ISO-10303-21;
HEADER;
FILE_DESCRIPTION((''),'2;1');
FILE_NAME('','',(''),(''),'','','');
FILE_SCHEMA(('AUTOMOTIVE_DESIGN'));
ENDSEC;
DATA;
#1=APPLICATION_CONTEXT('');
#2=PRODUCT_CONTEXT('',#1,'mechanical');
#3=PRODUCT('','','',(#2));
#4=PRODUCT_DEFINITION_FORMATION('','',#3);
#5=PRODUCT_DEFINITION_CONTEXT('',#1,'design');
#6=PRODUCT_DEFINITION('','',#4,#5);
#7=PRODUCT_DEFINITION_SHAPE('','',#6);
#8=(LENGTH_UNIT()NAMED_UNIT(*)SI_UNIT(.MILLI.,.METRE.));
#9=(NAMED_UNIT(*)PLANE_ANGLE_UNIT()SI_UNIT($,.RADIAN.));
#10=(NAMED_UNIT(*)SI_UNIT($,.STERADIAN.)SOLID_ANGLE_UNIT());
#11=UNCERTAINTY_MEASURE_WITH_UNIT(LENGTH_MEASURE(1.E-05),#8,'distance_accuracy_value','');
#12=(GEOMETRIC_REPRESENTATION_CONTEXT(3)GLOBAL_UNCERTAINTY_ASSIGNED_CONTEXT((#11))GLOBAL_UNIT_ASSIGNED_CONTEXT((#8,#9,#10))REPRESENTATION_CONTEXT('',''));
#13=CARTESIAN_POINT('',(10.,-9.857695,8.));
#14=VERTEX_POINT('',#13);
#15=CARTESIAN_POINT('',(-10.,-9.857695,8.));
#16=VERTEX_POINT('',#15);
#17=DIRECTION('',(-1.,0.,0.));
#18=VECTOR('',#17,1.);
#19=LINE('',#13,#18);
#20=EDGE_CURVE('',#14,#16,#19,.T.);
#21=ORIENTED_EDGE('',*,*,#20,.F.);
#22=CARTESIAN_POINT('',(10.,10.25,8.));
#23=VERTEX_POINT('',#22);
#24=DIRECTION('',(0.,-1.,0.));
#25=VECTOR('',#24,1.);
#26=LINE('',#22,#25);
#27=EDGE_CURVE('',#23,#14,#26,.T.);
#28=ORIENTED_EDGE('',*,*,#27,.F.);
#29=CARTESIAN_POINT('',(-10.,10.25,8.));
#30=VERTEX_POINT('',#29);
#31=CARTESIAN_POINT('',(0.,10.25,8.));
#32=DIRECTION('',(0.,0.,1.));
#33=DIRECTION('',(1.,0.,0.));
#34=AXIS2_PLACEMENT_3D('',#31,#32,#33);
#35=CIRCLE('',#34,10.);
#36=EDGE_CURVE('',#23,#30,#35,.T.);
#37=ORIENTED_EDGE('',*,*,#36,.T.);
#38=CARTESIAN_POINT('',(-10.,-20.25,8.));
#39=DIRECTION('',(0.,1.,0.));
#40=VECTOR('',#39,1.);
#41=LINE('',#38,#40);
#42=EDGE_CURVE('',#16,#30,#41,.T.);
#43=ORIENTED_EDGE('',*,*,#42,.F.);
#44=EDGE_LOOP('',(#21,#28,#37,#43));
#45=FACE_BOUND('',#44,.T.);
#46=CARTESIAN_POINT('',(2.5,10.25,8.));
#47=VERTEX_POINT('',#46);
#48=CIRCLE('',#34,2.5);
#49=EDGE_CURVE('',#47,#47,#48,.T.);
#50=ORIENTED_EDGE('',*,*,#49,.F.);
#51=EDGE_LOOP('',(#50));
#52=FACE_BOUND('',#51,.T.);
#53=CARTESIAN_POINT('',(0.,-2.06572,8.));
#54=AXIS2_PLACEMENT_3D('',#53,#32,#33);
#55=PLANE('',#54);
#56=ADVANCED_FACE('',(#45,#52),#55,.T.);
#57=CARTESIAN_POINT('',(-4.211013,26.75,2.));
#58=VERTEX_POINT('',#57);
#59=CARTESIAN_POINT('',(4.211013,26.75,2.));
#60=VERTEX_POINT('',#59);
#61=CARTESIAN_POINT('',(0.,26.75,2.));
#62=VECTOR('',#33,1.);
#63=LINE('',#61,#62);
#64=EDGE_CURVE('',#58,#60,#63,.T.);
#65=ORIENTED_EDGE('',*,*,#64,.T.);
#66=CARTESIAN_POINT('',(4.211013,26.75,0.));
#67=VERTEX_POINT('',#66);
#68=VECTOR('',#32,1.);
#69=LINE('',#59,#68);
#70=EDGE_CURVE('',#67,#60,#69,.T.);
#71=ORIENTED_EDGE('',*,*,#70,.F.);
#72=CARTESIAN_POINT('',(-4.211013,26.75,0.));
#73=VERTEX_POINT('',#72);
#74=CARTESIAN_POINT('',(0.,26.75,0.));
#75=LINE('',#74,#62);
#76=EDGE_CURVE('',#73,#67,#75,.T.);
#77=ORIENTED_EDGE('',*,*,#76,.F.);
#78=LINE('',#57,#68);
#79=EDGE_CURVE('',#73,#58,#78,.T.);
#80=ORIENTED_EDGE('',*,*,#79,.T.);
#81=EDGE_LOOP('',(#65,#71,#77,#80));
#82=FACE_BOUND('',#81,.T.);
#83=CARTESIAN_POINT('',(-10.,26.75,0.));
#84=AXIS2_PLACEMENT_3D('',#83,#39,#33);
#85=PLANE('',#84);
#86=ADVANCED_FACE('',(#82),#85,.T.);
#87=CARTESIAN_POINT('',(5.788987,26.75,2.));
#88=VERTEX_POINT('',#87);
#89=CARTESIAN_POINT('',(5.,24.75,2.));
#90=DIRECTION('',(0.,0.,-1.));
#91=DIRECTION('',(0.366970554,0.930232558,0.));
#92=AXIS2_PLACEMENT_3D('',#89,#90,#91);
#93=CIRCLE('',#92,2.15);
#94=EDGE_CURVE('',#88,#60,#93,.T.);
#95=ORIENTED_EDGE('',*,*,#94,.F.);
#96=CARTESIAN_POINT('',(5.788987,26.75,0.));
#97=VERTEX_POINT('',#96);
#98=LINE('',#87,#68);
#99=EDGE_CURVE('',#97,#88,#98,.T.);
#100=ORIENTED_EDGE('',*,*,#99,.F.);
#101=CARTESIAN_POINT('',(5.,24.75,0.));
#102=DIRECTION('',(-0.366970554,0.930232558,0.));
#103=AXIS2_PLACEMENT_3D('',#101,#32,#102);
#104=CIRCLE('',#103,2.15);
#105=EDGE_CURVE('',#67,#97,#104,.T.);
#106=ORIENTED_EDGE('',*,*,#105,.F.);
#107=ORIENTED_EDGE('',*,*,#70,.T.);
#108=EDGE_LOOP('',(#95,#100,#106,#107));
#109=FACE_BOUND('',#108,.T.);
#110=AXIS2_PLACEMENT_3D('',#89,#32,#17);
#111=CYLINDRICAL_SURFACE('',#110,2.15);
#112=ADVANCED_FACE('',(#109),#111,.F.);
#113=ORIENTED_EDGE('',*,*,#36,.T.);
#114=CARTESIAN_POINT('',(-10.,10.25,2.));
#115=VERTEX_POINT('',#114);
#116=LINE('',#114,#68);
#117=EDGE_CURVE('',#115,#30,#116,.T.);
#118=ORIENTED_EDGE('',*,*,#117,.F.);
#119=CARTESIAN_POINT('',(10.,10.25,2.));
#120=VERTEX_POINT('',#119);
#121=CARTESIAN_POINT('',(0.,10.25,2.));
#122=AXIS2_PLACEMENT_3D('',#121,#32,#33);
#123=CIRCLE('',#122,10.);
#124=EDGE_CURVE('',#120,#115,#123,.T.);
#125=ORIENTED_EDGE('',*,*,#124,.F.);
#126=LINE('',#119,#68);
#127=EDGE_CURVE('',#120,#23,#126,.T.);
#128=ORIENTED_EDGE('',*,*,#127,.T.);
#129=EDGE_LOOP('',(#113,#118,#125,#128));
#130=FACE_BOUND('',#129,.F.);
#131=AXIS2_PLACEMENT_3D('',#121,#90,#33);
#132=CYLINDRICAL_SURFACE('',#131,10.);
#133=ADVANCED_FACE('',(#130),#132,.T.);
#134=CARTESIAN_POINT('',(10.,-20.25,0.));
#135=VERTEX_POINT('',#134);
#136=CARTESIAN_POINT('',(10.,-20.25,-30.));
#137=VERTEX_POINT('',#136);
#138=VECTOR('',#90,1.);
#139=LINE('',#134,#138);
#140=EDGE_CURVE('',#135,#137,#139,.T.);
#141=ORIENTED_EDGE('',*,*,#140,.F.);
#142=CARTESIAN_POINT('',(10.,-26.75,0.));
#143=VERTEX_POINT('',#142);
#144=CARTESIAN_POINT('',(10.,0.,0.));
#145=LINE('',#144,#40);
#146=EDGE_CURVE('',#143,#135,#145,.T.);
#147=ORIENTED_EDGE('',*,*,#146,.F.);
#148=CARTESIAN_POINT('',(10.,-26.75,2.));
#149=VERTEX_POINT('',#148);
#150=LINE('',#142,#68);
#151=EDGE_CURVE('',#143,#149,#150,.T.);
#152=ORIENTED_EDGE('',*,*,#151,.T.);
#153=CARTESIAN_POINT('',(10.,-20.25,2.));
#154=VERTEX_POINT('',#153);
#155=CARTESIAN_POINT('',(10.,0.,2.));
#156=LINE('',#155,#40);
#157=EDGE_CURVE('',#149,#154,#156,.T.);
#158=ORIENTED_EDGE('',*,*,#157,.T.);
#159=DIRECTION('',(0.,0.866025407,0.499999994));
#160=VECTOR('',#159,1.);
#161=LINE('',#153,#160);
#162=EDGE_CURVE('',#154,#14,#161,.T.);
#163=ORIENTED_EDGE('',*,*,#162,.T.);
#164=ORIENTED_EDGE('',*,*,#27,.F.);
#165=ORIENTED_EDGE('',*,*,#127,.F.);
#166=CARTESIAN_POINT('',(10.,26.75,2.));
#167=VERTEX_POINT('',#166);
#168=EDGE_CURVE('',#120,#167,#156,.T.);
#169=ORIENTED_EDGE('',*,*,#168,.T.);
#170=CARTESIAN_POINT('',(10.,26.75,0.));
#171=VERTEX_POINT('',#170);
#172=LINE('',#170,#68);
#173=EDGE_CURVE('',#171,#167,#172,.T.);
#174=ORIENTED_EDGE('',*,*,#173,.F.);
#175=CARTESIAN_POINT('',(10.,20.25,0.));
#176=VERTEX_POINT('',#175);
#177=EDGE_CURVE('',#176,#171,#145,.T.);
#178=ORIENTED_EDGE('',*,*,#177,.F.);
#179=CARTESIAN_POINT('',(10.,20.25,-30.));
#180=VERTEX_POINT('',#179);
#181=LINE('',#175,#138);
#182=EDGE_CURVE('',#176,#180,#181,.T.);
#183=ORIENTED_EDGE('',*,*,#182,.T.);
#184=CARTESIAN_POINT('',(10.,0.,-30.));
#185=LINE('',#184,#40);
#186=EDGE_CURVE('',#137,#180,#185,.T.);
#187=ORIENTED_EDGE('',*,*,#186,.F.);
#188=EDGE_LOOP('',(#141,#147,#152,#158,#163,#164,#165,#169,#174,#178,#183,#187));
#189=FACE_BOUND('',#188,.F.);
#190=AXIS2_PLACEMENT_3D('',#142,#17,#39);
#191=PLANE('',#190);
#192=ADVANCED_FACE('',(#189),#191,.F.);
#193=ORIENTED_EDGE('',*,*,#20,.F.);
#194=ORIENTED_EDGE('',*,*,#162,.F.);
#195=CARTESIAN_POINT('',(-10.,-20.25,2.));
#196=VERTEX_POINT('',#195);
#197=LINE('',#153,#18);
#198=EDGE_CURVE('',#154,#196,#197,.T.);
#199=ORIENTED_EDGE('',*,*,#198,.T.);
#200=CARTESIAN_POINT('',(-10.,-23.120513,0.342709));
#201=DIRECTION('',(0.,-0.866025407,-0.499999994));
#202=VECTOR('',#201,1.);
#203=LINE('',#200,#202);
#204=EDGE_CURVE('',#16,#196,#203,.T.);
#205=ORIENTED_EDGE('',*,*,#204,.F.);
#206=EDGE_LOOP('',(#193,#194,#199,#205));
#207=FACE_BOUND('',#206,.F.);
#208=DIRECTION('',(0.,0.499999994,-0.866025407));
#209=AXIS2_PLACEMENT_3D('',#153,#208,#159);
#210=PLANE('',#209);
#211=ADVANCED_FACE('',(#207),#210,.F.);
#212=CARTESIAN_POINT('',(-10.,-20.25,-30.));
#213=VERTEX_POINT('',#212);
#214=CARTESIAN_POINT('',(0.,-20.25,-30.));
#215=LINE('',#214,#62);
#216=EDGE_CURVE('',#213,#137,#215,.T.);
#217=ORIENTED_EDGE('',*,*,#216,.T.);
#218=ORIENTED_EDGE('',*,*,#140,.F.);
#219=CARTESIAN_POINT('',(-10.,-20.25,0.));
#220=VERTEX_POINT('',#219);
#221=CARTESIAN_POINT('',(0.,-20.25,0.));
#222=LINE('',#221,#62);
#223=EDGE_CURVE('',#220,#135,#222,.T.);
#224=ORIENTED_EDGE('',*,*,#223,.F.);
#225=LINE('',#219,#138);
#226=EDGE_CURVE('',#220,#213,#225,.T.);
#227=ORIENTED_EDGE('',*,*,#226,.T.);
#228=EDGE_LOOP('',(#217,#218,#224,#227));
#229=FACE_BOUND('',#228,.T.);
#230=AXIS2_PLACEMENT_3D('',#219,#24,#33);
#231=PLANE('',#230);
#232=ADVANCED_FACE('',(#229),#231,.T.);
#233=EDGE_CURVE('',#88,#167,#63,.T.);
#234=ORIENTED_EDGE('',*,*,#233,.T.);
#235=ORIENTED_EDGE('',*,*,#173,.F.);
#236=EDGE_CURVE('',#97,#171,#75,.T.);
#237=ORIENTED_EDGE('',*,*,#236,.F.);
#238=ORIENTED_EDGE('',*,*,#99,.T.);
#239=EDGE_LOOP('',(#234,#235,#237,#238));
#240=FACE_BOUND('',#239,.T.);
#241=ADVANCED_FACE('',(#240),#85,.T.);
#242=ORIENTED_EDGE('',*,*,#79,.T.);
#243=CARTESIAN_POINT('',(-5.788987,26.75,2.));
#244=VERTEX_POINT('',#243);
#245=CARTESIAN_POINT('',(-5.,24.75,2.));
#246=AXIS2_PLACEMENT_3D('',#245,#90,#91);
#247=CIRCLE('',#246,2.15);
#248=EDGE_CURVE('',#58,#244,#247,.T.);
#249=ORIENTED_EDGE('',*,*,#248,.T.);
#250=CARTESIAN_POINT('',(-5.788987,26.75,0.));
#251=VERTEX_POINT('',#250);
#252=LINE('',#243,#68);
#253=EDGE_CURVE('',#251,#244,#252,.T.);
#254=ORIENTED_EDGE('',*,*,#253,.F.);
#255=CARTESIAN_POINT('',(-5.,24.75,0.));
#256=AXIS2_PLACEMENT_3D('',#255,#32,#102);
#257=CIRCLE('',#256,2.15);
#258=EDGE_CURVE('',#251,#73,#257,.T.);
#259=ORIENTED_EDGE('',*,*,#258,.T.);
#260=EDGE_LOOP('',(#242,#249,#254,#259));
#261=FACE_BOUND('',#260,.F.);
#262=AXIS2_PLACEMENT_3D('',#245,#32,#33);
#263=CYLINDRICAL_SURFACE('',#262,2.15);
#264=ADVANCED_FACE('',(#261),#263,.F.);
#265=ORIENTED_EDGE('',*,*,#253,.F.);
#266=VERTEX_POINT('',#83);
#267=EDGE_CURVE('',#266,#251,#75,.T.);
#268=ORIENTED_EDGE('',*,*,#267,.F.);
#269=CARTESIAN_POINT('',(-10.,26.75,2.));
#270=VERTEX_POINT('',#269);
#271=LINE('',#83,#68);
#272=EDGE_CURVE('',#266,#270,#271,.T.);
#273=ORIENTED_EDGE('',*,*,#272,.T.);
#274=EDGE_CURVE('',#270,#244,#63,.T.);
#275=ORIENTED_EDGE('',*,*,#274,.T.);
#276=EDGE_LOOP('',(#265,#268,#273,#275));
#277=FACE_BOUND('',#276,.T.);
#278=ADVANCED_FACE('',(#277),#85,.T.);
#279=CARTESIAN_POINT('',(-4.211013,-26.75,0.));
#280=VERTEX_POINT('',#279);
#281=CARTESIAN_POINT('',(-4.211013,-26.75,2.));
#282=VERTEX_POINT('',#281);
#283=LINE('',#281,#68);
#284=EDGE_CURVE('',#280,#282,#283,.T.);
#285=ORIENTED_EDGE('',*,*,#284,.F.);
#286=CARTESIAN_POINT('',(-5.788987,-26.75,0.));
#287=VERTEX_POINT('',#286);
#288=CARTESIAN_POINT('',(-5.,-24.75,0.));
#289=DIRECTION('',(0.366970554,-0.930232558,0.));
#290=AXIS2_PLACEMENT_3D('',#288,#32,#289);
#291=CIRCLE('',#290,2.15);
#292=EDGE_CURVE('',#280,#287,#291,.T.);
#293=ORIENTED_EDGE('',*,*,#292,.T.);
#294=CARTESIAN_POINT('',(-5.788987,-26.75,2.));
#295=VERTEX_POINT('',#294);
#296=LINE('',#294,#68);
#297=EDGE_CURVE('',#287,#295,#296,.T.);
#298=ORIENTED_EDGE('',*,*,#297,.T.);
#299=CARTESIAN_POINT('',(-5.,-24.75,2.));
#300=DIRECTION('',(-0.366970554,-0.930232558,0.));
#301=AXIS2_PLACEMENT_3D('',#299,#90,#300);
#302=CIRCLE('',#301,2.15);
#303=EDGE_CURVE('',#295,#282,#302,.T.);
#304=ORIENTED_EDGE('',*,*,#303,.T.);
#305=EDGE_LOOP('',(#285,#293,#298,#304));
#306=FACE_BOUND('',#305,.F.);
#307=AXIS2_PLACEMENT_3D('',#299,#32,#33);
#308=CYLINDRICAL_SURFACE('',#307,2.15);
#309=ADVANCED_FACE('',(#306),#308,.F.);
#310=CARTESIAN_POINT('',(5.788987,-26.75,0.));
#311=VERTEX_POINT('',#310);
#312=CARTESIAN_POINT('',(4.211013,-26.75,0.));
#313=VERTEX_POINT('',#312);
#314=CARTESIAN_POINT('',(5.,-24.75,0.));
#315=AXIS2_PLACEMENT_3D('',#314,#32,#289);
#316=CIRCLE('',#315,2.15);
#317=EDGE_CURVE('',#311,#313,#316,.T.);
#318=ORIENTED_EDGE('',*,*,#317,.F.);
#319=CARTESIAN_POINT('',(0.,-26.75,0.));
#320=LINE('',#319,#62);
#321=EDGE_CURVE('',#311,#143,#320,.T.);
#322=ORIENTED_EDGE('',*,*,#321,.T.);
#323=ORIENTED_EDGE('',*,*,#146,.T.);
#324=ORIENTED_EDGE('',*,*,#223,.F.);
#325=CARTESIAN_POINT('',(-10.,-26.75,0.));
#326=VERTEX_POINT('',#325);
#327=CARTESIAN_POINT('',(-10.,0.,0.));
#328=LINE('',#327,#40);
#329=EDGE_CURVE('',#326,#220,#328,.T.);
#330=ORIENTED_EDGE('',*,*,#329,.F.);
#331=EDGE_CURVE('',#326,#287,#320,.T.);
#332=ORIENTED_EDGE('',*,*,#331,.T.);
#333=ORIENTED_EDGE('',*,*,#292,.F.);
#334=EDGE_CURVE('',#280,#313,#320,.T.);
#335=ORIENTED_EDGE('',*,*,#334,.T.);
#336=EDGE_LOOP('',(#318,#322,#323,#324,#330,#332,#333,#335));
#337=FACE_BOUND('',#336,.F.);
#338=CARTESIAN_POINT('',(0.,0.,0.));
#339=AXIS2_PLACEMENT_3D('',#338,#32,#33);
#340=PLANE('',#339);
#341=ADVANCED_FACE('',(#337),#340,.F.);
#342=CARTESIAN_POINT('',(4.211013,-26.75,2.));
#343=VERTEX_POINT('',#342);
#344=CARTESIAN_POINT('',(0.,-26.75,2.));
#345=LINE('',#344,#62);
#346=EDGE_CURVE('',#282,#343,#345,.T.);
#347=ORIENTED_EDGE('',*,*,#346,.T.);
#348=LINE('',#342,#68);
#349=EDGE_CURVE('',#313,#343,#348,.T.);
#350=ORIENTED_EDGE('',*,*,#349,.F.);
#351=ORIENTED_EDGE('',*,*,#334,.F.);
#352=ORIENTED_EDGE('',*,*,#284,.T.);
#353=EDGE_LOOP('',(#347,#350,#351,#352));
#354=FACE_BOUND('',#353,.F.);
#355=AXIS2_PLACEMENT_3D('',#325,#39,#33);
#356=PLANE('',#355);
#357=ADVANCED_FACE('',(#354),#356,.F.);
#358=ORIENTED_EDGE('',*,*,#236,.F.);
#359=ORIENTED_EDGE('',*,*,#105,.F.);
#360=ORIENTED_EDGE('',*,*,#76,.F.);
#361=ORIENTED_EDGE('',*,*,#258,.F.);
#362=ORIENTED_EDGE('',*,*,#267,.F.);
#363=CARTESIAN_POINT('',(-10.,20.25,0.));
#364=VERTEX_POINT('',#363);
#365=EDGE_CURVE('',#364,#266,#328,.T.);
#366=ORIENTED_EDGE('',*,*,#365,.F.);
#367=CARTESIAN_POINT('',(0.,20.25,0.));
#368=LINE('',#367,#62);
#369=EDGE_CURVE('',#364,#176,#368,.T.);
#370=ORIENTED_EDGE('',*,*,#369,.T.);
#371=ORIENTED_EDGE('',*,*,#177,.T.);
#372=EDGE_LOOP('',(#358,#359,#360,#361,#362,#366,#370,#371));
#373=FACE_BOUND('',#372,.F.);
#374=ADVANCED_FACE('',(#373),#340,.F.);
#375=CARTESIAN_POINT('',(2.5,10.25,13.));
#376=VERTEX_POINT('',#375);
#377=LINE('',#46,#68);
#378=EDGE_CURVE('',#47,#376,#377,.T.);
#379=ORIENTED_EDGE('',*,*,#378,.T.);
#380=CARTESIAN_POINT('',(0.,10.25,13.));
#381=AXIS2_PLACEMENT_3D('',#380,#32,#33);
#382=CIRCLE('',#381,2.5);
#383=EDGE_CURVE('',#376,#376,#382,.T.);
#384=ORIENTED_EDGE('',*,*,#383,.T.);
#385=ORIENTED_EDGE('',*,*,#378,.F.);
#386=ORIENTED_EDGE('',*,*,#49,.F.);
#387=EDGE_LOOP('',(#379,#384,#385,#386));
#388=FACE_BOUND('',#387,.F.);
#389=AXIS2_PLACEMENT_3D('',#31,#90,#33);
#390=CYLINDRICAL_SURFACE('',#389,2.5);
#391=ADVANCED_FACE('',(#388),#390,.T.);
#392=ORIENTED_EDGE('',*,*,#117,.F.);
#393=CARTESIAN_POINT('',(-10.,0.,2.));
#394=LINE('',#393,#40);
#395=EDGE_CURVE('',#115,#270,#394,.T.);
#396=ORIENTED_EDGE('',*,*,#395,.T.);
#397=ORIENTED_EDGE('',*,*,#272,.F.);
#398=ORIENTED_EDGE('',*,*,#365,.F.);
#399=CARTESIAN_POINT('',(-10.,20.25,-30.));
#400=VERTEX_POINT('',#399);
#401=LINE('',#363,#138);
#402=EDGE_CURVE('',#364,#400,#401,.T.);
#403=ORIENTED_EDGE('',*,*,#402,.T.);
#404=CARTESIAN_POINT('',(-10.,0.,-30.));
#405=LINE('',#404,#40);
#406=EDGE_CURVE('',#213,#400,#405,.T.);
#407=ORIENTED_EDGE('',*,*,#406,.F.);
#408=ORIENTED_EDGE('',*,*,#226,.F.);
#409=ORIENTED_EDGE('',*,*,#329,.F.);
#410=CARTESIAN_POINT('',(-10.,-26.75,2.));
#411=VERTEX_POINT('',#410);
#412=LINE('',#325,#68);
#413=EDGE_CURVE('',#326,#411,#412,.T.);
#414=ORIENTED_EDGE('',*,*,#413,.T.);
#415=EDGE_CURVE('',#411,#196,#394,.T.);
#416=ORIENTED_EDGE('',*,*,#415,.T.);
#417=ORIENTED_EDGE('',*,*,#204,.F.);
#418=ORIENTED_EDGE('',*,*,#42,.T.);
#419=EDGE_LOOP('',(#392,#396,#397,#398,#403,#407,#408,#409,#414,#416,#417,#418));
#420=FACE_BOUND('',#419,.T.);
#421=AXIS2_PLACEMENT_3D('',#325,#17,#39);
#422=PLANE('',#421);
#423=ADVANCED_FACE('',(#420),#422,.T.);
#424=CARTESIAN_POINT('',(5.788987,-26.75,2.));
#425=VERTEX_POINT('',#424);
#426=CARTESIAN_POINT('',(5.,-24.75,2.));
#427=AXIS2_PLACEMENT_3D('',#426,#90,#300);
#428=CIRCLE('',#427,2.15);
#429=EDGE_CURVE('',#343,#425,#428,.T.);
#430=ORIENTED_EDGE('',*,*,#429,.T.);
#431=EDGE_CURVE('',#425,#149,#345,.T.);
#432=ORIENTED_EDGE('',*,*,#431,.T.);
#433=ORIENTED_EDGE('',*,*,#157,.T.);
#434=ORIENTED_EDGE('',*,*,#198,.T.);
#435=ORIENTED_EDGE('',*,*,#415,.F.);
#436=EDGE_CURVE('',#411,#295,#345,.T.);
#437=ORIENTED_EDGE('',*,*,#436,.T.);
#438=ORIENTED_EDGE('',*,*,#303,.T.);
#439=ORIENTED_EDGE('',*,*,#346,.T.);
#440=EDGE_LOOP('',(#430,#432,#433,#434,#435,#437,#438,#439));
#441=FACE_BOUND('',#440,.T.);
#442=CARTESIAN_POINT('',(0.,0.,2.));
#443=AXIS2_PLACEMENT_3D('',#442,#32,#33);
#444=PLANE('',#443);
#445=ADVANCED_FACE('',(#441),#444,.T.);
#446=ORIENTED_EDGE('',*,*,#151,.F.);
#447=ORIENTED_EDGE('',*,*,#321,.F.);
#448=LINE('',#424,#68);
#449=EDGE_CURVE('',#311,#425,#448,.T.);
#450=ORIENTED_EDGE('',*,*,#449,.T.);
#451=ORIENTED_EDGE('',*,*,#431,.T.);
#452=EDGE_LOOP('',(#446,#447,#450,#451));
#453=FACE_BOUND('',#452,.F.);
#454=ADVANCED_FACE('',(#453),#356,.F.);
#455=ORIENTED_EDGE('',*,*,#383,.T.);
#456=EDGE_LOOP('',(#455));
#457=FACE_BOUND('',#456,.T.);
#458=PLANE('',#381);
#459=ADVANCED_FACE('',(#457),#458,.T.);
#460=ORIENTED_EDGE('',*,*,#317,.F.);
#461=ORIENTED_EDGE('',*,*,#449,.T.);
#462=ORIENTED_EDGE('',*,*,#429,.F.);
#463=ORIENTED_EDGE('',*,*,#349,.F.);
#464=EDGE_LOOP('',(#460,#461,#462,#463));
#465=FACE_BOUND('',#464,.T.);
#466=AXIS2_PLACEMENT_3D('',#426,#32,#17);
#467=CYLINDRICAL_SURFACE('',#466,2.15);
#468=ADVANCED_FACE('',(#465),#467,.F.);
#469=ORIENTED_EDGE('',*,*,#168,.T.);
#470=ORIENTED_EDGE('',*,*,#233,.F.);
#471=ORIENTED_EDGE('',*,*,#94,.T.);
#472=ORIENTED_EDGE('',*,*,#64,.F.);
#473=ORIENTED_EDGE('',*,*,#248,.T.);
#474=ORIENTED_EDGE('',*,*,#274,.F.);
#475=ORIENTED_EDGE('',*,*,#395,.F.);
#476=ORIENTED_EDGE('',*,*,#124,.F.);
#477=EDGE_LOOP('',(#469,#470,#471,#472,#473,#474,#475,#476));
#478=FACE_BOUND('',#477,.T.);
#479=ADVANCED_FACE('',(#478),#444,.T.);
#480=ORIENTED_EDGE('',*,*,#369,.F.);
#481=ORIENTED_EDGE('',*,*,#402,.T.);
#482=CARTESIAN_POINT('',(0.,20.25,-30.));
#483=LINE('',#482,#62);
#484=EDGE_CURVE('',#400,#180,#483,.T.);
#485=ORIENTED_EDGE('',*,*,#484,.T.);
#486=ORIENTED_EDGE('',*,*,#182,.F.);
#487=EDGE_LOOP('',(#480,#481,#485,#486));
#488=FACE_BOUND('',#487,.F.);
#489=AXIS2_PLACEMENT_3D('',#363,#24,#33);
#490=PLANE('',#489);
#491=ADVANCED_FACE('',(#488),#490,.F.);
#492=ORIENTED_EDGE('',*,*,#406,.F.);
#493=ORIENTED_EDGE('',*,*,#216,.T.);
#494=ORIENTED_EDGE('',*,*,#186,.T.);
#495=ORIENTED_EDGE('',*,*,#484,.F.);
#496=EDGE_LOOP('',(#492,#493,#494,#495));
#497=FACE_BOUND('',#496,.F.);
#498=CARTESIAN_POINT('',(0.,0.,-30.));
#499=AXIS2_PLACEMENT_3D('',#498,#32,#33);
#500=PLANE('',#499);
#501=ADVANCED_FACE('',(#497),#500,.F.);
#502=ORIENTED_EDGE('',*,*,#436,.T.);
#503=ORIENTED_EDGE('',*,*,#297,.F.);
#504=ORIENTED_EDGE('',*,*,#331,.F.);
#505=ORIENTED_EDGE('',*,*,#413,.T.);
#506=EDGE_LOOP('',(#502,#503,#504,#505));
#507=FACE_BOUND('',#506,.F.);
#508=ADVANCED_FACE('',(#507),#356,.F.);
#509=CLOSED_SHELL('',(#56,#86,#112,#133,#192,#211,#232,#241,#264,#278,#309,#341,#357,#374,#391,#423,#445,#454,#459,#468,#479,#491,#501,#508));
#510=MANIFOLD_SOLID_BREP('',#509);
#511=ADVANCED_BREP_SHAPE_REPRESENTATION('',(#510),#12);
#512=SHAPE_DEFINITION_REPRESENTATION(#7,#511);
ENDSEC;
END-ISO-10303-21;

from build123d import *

# Parameters (mm, degrees)
SKETCH_W        = 20
SKETCH_H        = 40.5
PAD_DEPTH       = 30
SKETCH001_W     = 20
SKETCH001_H     = 53.5
PAD001_DEPTH    = 2
SKETCH002_R     = 2.15
POCKET_DEPTH    = 162.939917
PAD002_DEPTH    = 6
SKETCH004_R     = 2.5
PAD003_DEPTH    = 5
POCKET001_DEPTH = 20.001


with BuildPart() as part:
    # Sketch → Pad (new body)
    with BuildSketch(Plane.XY):
        Rectangle(SKETCH_W, SKETCH_H)
    extrude(amount=-PAD_DEPTH)

    # Sketch001 (on Face5 of Pad) → Pad001 (join)
    with BuildSketch(Plane.XY):
        Rectangle(SKETCH001_W, SKETCH001_H)
    extrude(amount=PAD001_DEPTH)

    # Sketch002 (on Face5 of Pad001) → Pocket (cut, through all)
    with BuildSketch(Plane.XY.offset(2)):
        with Locations((-5, -24.75)):
            Circle(SKETCH002_R)
        with Locations((-5, 24.75)):
            Circle(SKETCH002_R)
    pocket = extrude(amount=-POCKET_DEPTH, mode=Mode.SUBTRACT)

    # Mirrored: Pocket across Sketch002 V_Axis
    add(pocket.mirror(Plane(origin=(0, 0, 2), x_dir=(0, 0, 1), z_dir=(1, 0, 0))), mode=Mode.SUBTRACT)

    # Sketch003 (on Face4 of Mirrored) → Pad002 (join)
    with BuildSketch(Plane.XY.offset(2)):
        with BuildLine():
            ThreePointArc((10, 10.25), (0, 20.25), (-10, 10.25))
            Line((-10, -20.25), (-10, 10.25))
            Line((10, -20.25), (-10, -20.25))
            Line((10, 10.25), (10, -20.25))
        make_face()
    extrude(amount=PAD002_DEPTH)

    # Sketch004 (on Face23 of Pad002) → Pad003 (join)
    with BuildSketch(Plane.XY.offset(8)):
        with Locations((0, 10.25)):
            Circle(SKETCH004_R)
    extrude(amount=PAD003_DEPTH)

    # Sketch005 (on Face22 of Pad003) → Pocket001 (cut, through all)
    with BuildSketch(Plane.YZ.offset(10)):
        Polygon((-20.25, 2), (-9.857695, 8), (-20.25, 8), align=None)
    extrude(amount=-POCKET001_DEPTH, mode=Mode.SUBTRACT)


solid = part.part
